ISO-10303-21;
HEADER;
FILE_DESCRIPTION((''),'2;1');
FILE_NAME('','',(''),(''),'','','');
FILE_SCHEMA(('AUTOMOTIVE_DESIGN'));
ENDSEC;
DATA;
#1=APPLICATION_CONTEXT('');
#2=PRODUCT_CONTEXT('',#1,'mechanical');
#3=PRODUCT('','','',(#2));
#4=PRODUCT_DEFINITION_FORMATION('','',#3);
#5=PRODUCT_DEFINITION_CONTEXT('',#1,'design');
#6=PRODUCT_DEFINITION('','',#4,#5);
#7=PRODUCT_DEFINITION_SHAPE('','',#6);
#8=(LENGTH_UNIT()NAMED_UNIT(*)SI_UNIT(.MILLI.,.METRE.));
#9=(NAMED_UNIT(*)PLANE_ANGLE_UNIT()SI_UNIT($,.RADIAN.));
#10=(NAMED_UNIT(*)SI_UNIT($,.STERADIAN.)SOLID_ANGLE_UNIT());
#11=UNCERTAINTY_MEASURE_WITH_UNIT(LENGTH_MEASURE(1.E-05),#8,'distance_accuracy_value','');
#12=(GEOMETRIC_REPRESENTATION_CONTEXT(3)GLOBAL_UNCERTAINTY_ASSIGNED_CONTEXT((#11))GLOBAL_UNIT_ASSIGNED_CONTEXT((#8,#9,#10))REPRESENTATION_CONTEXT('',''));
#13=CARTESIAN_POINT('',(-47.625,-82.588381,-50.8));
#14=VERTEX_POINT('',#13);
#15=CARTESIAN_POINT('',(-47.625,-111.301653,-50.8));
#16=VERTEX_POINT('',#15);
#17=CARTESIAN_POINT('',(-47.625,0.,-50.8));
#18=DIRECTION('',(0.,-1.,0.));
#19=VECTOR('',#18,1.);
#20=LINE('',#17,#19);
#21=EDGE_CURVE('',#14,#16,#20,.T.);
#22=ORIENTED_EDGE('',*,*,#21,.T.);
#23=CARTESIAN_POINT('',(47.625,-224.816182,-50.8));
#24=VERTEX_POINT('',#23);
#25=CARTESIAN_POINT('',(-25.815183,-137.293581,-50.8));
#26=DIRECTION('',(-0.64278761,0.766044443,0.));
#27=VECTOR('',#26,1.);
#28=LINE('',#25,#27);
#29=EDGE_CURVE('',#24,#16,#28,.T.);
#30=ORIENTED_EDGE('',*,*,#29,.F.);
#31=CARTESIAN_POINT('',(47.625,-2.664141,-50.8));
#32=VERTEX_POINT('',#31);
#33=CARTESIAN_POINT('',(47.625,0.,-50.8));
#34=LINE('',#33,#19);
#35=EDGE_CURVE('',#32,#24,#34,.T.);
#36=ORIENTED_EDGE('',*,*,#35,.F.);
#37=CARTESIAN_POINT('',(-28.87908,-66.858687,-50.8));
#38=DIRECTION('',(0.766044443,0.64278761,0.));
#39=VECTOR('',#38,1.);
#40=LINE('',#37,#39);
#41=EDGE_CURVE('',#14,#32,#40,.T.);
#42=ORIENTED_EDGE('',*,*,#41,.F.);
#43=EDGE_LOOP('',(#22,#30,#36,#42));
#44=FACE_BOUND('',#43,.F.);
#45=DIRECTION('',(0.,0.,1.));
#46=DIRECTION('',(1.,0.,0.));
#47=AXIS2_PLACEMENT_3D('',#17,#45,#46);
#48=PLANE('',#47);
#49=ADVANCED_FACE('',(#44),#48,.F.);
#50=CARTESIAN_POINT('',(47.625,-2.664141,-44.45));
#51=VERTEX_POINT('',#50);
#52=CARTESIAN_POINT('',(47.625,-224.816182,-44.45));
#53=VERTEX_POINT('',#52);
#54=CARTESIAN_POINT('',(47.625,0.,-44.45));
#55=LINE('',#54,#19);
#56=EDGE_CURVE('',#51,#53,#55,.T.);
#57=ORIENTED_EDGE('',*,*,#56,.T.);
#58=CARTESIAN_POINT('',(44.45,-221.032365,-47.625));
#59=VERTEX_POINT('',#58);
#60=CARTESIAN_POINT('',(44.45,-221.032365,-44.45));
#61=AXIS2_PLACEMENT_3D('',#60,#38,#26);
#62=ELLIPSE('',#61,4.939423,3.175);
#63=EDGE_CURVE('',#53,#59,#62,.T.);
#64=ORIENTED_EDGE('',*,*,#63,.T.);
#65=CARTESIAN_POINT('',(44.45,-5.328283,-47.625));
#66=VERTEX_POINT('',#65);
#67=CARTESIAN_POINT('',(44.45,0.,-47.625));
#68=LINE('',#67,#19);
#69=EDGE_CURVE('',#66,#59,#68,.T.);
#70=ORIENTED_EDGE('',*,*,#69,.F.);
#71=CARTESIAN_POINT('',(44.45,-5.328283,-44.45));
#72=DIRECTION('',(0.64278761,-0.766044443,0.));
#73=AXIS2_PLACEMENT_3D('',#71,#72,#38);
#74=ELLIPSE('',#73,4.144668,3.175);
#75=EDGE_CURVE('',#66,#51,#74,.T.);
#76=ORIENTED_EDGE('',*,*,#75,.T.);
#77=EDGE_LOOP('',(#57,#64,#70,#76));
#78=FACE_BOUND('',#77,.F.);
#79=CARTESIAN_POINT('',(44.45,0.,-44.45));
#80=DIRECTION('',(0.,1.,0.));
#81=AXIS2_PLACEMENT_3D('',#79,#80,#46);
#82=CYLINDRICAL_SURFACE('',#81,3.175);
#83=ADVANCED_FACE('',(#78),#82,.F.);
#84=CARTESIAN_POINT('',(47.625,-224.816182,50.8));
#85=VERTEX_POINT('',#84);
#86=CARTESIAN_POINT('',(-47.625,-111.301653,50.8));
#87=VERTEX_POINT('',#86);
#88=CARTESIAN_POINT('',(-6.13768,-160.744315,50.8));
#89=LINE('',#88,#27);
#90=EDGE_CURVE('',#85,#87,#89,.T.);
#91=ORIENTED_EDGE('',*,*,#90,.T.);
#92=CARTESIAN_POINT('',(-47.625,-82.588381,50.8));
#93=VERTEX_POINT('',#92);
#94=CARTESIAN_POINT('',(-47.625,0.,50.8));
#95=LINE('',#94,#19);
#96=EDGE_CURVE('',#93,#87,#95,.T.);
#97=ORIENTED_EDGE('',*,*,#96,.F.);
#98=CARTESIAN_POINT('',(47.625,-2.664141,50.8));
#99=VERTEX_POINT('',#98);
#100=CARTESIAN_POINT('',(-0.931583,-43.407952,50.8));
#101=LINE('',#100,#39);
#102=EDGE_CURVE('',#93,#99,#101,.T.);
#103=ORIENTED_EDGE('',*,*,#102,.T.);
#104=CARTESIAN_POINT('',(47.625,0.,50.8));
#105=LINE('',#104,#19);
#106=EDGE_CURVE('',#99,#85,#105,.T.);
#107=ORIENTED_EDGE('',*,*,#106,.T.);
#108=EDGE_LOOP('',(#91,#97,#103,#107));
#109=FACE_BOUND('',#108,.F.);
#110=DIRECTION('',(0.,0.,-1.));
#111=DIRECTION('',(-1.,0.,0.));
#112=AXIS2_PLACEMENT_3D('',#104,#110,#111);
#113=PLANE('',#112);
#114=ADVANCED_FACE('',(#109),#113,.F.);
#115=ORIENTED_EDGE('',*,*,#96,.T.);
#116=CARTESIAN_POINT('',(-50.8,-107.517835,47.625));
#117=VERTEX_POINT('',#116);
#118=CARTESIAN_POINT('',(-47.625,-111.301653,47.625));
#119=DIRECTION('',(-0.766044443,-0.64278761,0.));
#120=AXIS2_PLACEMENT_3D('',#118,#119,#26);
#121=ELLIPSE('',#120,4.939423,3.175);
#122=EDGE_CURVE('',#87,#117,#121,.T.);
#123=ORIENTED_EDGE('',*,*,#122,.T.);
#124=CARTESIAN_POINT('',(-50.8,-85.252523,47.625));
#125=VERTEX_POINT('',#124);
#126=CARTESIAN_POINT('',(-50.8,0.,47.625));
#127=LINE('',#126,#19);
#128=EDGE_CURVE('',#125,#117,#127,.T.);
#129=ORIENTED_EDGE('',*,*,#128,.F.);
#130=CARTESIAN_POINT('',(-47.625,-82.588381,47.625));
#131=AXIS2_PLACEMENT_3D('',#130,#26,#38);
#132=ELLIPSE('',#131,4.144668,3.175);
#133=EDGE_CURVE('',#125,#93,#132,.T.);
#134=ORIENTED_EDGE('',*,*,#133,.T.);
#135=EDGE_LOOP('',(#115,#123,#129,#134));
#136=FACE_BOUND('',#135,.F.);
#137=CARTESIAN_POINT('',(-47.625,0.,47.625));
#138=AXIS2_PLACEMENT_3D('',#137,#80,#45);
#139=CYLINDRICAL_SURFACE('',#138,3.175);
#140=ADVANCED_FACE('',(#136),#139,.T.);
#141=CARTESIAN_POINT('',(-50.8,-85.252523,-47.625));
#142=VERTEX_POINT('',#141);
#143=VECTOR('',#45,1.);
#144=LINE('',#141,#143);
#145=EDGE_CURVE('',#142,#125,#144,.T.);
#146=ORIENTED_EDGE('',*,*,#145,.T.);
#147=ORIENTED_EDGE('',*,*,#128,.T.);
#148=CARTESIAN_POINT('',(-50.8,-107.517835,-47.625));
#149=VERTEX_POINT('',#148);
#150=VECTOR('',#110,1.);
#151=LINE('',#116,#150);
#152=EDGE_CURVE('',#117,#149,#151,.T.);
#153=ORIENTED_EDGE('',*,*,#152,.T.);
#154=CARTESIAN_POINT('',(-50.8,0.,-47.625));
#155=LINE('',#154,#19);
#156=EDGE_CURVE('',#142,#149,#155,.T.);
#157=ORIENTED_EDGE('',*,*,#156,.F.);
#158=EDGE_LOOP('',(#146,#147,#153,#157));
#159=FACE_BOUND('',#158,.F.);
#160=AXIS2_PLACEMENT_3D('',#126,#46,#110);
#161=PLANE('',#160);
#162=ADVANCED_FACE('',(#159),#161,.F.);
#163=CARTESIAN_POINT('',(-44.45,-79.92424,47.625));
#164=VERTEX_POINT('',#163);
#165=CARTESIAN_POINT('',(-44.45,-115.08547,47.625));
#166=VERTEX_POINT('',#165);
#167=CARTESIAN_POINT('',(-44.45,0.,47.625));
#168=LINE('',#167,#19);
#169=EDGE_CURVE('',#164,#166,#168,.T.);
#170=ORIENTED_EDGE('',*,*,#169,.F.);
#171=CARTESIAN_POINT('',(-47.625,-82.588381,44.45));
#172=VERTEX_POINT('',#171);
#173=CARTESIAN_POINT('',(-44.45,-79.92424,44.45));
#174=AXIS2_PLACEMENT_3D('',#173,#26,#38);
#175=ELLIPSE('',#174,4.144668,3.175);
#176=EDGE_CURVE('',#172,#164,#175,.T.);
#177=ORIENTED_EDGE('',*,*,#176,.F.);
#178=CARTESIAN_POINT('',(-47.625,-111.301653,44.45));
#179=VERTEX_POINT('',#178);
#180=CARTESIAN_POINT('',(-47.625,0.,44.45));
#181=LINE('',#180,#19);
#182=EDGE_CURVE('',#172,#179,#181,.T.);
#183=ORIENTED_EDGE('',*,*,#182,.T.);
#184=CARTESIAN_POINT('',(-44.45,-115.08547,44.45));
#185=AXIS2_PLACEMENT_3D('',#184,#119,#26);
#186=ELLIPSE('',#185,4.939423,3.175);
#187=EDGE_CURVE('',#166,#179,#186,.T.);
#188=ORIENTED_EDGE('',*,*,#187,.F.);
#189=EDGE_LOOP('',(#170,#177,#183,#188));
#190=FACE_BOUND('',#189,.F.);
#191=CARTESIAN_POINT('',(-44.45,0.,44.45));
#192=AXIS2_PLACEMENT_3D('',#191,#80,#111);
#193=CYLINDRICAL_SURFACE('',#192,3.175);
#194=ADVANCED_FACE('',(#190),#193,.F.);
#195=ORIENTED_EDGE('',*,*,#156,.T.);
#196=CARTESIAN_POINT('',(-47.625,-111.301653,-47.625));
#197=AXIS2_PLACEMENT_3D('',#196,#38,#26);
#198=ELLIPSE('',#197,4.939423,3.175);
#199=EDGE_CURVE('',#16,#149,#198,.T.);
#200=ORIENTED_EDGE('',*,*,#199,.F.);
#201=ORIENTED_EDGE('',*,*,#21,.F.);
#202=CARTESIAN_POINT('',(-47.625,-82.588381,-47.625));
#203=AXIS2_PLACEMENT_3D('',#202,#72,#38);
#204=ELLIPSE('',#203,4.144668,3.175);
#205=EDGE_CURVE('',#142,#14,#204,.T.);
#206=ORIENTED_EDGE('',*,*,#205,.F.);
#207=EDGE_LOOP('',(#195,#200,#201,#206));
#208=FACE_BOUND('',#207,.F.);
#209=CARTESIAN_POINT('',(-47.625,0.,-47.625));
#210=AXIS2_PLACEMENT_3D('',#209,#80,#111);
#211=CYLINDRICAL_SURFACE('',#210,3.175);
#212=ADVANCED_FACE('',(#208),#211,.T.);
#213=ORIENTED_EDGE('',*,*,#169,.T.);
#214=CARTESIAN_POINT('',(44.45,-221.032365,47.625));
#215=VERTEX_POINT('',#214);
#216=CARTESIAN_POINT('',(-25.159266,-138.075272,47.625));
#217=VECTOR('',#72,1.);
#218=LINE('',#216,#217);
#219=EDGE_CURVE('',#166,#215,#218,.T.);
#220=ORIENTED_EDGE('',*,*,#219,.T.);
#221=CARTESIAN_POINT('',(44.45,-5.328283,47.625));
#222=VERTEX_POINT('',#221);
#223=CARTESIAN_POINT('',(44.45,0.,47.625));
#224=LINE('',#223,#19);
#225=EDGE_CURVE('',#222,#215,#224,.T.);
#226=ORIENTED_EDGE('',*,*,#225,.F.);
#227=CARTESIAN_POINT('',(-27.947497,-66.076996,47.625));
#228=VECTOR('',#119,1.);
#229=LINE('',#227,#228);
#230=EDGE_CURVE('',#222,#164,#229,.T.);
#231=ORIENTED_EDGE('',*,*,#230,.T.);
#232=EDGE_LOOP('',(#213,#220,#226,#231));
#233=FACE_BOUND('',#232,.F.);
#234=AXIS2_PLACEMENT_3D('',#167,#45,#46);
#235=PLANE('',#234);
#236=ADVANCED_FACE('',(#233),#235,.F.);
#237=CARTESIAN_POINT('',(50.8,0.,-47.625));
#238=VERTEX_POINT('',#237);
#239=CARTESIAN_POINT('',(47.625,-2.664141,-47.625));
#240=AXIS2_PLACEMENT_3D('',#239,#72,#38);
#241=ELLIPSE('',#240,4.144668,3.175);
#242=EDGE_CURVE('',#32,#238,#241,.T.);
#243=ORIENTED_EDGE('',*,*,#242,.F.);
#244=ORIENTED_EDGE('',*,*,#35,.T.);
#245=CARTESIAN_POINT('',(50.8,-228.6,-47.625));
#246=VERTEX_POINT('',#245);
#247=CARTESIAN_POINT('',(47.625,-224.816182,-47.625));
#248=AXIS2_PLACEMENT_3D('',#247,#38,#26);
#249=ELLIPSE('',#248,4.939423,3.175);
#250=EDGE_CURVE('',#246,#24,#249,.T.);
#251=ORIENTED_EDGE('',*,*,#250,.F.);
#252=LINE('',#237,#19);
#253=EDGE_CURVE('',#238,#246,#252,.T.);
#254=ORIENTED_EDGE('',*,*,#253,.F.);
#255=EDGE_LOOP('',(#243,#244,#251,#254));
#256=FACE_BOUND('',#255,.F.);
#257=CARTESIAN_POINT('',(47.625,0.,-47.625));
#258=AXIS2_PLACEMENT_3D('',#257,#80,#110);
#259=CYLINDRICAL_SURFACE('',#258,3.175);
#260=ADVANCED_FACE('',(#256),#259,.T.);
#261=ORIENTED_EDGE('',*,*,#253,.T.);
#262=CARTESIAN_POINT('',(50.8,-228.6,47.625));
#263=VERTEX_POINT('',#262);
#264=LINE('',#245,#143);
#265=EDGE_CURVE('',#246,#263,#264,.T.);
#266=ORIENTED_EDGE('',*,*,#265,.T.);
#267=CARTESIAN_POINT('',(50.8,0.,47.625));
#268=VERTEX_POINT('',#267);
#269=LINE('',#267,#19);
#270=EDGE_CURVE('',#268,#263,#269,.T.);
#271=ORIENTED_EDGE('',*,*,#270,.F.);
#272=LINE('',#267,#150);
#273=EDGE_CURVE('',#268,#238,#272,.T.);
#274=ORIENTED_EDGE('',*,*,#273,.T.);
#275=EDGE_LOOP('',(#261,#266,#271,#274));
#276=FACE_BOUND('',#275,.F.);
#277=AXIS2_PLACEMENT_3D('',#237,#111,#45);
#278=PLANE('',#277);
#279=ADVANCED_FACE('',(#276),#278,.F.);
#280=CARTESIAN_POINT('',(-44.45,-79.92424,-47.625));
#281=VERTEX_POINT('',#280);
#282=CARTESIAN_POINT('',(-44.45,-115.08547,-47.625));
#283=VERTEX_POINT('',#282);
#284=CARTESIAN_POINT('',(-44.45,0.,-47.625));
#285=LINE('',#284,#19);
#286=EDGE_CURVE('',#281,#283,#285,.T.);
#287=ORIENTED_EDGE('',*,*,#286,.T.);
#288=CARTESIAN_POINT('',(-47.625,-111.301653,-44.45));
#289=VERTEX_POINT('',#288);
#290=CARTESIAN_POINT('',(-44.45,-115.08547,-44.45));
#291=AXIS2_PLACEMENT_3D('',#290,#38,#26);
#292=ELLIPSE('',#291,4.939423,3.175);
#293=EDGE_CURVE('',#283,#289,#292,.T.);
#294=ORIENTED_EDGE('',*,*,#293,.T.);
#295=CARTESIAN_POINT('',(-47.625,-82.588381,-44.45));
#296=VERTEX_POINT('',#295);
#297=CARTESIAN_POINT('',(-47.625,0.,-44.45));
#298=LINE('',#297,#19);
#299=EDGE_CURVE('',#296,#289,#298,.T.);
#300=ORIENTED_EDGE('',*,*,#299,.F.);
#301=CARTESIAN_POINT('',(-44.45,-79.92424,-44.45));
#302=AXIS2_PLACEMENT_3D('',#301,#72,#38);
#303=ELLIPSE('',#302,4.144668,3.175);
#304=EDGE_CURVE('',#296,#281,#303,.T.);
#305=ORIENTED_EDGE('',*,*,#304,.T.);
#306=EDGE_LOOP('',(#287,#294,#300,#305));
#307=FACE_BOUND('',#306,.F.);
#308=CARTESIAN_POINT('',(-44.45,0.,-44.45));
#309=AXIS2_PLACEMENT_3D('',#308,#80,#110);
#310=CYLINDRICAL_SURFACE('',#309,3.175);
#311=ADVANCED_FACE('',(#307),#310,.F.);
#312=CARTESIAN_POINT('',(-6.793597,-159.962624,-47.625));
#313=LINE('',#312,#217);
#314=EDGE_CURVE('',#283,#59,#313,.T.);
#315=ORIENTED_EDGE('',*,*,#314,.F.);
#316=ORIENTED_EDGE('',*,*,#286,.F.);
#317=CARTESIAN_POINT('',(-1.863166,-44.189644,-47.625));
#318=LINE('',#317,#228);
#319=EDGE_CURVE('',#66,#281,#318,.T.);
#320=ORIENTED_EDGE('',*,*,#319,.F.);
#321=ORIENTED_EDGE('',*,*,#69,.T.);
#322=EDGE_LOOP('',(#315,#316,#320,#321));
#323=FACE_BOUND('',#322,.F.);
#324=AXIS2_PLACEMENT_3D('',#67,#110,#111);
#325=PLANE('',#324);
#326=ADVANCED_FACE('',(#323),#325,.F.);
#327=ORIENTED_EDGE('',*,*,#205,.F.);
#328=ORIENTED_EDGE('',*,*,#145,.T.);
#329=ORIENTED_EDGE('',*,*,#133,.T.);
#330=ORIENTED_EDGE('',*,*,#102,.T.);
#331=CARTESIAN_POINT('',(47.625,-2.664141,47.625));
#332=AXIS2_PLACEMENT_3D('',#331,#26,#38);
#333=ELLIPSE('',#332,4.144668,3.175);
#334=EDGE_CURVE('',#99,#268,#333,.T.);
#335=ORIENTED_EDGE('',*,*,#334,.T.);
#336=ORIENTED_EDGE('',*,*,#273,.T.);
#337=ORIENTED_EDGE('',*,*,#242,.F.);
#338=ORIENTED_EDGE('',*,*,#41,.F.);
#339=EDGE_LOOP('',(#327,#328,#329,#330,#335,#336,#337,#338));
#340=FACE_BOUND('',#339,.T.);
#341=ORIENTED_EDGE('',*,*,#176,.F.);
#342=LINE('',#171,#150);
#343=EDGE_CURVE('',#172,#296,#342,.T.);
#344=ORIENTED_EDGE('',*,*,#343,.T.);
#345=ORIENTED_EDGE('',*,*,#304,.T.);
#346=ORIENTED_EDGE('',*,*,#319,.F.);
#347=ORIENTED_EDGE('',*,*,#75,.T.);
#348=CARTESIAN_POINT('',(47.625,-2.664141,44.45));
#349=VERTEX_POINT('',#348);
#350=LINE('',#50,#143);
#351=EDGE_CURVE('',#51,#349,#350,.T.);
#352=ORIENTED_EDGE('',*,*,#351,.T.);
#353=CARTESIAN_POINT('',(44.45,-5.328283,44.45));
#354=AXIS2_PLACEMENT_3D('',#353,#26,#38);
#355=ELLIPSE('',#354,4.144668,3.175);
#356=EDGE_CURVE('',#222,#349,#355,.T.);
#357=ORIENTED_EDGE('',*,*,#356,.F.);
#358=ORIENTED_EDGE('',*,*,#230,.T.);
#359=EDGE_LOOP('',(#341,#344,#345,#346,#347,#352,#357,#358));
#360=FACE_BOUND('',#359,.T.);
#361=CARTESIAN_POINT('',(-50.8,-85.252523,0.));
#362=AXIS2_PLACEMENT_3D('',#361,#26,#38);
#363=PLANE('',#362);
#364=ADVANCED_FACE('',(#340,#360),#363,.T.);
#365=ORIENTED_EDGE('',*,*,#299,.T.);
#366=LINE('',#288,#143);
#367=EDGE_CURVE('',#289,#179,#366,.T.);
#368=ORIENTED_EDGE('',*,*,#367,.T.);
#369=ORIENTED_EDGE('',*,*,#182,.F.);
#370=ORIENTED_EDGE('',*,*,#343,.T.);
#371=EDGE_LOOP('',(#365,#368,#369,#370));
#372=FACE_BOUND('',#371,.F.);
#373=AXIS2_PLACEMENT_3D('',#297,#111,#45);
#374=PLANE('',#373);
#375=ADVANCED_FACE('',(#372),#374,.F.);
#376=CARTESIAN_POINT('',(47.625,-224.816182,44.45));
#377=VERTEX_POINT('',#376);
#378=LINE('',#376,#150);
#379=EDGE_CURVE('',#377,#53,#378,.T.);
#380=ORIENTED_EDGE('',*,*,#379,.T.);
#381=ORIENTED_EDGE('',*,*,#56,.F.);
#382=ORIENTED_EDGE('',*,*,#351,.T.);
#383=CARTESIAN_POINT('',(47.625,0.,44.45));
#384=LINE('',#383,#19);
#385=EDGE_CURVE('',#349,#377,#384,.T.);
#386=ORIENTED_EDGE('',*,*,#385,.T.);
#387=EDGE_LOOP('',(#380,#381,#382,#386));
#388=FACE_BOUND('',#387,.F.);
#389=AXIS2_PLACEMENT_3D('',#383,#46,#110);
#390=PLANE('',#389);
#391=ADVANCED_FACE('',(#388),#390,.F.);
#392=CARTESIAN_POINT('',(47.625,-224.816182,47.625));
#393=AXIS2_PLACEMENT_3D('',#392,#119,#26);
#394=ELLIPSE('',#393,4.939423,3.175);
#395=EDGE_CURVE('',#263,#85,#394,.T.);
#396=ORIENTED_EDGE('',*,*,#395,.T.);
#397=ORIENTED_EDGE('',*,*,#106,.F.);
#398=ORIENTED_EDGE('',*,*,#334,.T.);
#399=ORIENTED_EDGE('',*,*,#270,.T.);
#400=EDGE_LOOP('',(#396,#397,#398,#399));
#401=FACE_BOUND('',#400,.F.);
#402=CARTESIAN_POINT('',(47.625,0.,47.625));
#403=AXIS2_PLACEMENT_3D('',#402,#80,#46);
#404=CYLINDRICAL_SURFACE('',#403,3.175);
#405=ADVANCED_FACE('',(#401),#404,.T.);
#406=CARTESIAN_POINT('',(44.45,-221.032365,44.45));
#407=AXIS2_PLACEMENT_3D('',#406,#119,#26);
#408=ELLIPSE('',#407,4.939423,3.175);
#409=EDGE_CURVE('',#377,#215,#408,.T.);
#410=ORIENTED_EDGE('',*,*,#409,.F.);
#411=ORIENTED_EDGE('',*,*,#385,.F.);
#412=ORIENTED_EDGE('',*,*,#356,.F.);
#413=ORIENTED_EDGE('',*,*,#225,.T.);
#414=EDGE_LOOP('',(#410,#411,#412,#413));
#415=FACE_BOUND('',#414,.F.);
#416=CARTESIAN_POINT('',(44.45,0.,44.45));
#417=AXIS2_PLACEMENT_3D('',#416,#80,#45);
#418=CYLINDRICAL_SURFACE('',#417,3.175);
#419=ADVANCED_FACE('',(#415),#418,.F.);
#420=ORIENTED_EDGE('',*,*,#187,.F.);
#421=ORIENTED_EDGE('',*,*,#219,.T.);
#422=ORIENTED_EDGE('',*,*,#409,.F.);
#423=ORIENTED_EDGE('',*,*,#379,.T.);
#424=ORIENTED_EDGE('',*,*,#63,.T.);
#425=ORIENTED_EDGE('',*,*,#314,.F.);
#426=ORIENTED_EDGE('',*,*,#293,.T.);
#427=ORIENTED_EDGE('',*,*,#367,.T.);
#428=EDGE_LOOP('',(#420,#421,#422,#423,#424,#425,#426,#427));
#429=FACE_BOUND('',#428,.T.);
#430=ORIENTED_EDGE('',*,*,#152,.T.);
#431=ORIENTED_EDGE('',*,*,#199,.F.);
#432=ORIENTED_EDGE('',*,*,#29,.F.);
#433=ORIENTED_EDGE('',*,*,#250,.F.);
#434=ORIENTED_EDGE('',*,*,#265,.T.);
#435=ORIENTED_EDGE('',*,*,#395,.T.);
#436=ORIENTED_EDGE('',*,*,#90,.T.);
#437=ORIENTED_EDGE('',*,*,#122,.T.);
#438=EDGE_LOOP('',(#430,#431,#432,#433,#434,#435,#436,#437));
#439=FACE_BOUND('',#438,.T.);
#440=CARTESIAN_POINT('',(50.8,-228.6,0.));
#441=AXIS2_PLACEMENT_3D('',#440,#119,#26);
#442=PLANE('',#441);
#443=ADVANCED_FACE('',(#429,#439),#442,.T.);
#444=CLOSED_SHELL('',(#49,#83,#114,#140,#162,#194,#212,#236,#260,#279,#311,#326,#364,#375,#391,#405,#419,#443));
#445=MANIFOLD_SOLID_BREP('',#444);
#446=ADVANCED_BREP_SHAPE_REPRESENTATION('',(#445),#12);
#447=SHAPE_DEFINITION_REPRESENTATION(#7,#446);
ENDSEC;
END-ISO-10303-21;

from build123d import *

# Parameters (mm, degrees)
F1_DEPTH      = 228.6
F3_DEPTH      = 50.801
F3_DEPTH_BACK = 50.801


with BuildPart() as f1:
    # F0 (on Front) → F1 (new body)
    with BuildSketch(Plane.XZ):
        with BuildLine():
            ThreePointArc((50.8, 47.625), (49.8700640303, 49.8700640303), (47.625, 50.8))
            Line((47.625, 50.8), (-47.625, 50.8))
            ThreePointArc((-47.625, 50.8), (-49.8700640303, 49.8700640303), (-50.8, 47.625))
            Line((-50.8, 47.625), (-50.8, -47.625))
            ThreePointArc((-50.8, -47.625), (-49.8700640303, -49.8700640303), (-47.625, -50.8))
            Line((-47.625, -50.8), (47.625, -50.8))
            ThreePointArc((47.625, -50.8), (49.8700640303, -49.8700640303), (50.8, -47.625))
            Line((50.8, -47.625), (50.8, 47.625))
        make_face()
        with BuildLine():
            Line((-44.45, 47.625), (44.45, 47.625))
            ThreePointArc((44.45, 47.625), (46.6950640303, 46.6950640303), (47.625, 44.45))
            Line((47.625, 44.45), (47.625, -44.45))
            ThreePointArc((47.625, -44.45), (46.6950640303, -46.6950640303), (44.45, -47.625))
            Line((44.45, -47.625), (-44.45, -47.625))
            ThreePointArc((-44.45, -47.625), (-46.6950640303, -46.6950640303), (-47.625, -44.45))
            Line((-47.625, -44.45), (-47.625, 44.45))
            ThreePointArc((-47.625, 44.45), (-46.6950640303, 46.6950640303), (-44.45, 47.625))
        make_face(mode=Mode.SUBTRACT)
    extrude(amount=F1_DEPTH)

    # F2 (on Top) → F3 (cut, two sides)
    with BuildSketch(Plane.XY) as f3_sk:
        Polygon((50.8, 0), (-50.8, 0), (-50.8, -85.2525225276), align=None)
        Polygon((-50.8, -107.5178349924), (-50.8, -228.6), (50.8, -228.6), align=None)
    extrude(amount=-F3_DEPTH, mode=Mode.SUBTRACT)
    extrude(f3_sk.sketch, amount=F3_DEPTH_BACK, mode=Mode.SUBTRACT)


solid = f1.part
